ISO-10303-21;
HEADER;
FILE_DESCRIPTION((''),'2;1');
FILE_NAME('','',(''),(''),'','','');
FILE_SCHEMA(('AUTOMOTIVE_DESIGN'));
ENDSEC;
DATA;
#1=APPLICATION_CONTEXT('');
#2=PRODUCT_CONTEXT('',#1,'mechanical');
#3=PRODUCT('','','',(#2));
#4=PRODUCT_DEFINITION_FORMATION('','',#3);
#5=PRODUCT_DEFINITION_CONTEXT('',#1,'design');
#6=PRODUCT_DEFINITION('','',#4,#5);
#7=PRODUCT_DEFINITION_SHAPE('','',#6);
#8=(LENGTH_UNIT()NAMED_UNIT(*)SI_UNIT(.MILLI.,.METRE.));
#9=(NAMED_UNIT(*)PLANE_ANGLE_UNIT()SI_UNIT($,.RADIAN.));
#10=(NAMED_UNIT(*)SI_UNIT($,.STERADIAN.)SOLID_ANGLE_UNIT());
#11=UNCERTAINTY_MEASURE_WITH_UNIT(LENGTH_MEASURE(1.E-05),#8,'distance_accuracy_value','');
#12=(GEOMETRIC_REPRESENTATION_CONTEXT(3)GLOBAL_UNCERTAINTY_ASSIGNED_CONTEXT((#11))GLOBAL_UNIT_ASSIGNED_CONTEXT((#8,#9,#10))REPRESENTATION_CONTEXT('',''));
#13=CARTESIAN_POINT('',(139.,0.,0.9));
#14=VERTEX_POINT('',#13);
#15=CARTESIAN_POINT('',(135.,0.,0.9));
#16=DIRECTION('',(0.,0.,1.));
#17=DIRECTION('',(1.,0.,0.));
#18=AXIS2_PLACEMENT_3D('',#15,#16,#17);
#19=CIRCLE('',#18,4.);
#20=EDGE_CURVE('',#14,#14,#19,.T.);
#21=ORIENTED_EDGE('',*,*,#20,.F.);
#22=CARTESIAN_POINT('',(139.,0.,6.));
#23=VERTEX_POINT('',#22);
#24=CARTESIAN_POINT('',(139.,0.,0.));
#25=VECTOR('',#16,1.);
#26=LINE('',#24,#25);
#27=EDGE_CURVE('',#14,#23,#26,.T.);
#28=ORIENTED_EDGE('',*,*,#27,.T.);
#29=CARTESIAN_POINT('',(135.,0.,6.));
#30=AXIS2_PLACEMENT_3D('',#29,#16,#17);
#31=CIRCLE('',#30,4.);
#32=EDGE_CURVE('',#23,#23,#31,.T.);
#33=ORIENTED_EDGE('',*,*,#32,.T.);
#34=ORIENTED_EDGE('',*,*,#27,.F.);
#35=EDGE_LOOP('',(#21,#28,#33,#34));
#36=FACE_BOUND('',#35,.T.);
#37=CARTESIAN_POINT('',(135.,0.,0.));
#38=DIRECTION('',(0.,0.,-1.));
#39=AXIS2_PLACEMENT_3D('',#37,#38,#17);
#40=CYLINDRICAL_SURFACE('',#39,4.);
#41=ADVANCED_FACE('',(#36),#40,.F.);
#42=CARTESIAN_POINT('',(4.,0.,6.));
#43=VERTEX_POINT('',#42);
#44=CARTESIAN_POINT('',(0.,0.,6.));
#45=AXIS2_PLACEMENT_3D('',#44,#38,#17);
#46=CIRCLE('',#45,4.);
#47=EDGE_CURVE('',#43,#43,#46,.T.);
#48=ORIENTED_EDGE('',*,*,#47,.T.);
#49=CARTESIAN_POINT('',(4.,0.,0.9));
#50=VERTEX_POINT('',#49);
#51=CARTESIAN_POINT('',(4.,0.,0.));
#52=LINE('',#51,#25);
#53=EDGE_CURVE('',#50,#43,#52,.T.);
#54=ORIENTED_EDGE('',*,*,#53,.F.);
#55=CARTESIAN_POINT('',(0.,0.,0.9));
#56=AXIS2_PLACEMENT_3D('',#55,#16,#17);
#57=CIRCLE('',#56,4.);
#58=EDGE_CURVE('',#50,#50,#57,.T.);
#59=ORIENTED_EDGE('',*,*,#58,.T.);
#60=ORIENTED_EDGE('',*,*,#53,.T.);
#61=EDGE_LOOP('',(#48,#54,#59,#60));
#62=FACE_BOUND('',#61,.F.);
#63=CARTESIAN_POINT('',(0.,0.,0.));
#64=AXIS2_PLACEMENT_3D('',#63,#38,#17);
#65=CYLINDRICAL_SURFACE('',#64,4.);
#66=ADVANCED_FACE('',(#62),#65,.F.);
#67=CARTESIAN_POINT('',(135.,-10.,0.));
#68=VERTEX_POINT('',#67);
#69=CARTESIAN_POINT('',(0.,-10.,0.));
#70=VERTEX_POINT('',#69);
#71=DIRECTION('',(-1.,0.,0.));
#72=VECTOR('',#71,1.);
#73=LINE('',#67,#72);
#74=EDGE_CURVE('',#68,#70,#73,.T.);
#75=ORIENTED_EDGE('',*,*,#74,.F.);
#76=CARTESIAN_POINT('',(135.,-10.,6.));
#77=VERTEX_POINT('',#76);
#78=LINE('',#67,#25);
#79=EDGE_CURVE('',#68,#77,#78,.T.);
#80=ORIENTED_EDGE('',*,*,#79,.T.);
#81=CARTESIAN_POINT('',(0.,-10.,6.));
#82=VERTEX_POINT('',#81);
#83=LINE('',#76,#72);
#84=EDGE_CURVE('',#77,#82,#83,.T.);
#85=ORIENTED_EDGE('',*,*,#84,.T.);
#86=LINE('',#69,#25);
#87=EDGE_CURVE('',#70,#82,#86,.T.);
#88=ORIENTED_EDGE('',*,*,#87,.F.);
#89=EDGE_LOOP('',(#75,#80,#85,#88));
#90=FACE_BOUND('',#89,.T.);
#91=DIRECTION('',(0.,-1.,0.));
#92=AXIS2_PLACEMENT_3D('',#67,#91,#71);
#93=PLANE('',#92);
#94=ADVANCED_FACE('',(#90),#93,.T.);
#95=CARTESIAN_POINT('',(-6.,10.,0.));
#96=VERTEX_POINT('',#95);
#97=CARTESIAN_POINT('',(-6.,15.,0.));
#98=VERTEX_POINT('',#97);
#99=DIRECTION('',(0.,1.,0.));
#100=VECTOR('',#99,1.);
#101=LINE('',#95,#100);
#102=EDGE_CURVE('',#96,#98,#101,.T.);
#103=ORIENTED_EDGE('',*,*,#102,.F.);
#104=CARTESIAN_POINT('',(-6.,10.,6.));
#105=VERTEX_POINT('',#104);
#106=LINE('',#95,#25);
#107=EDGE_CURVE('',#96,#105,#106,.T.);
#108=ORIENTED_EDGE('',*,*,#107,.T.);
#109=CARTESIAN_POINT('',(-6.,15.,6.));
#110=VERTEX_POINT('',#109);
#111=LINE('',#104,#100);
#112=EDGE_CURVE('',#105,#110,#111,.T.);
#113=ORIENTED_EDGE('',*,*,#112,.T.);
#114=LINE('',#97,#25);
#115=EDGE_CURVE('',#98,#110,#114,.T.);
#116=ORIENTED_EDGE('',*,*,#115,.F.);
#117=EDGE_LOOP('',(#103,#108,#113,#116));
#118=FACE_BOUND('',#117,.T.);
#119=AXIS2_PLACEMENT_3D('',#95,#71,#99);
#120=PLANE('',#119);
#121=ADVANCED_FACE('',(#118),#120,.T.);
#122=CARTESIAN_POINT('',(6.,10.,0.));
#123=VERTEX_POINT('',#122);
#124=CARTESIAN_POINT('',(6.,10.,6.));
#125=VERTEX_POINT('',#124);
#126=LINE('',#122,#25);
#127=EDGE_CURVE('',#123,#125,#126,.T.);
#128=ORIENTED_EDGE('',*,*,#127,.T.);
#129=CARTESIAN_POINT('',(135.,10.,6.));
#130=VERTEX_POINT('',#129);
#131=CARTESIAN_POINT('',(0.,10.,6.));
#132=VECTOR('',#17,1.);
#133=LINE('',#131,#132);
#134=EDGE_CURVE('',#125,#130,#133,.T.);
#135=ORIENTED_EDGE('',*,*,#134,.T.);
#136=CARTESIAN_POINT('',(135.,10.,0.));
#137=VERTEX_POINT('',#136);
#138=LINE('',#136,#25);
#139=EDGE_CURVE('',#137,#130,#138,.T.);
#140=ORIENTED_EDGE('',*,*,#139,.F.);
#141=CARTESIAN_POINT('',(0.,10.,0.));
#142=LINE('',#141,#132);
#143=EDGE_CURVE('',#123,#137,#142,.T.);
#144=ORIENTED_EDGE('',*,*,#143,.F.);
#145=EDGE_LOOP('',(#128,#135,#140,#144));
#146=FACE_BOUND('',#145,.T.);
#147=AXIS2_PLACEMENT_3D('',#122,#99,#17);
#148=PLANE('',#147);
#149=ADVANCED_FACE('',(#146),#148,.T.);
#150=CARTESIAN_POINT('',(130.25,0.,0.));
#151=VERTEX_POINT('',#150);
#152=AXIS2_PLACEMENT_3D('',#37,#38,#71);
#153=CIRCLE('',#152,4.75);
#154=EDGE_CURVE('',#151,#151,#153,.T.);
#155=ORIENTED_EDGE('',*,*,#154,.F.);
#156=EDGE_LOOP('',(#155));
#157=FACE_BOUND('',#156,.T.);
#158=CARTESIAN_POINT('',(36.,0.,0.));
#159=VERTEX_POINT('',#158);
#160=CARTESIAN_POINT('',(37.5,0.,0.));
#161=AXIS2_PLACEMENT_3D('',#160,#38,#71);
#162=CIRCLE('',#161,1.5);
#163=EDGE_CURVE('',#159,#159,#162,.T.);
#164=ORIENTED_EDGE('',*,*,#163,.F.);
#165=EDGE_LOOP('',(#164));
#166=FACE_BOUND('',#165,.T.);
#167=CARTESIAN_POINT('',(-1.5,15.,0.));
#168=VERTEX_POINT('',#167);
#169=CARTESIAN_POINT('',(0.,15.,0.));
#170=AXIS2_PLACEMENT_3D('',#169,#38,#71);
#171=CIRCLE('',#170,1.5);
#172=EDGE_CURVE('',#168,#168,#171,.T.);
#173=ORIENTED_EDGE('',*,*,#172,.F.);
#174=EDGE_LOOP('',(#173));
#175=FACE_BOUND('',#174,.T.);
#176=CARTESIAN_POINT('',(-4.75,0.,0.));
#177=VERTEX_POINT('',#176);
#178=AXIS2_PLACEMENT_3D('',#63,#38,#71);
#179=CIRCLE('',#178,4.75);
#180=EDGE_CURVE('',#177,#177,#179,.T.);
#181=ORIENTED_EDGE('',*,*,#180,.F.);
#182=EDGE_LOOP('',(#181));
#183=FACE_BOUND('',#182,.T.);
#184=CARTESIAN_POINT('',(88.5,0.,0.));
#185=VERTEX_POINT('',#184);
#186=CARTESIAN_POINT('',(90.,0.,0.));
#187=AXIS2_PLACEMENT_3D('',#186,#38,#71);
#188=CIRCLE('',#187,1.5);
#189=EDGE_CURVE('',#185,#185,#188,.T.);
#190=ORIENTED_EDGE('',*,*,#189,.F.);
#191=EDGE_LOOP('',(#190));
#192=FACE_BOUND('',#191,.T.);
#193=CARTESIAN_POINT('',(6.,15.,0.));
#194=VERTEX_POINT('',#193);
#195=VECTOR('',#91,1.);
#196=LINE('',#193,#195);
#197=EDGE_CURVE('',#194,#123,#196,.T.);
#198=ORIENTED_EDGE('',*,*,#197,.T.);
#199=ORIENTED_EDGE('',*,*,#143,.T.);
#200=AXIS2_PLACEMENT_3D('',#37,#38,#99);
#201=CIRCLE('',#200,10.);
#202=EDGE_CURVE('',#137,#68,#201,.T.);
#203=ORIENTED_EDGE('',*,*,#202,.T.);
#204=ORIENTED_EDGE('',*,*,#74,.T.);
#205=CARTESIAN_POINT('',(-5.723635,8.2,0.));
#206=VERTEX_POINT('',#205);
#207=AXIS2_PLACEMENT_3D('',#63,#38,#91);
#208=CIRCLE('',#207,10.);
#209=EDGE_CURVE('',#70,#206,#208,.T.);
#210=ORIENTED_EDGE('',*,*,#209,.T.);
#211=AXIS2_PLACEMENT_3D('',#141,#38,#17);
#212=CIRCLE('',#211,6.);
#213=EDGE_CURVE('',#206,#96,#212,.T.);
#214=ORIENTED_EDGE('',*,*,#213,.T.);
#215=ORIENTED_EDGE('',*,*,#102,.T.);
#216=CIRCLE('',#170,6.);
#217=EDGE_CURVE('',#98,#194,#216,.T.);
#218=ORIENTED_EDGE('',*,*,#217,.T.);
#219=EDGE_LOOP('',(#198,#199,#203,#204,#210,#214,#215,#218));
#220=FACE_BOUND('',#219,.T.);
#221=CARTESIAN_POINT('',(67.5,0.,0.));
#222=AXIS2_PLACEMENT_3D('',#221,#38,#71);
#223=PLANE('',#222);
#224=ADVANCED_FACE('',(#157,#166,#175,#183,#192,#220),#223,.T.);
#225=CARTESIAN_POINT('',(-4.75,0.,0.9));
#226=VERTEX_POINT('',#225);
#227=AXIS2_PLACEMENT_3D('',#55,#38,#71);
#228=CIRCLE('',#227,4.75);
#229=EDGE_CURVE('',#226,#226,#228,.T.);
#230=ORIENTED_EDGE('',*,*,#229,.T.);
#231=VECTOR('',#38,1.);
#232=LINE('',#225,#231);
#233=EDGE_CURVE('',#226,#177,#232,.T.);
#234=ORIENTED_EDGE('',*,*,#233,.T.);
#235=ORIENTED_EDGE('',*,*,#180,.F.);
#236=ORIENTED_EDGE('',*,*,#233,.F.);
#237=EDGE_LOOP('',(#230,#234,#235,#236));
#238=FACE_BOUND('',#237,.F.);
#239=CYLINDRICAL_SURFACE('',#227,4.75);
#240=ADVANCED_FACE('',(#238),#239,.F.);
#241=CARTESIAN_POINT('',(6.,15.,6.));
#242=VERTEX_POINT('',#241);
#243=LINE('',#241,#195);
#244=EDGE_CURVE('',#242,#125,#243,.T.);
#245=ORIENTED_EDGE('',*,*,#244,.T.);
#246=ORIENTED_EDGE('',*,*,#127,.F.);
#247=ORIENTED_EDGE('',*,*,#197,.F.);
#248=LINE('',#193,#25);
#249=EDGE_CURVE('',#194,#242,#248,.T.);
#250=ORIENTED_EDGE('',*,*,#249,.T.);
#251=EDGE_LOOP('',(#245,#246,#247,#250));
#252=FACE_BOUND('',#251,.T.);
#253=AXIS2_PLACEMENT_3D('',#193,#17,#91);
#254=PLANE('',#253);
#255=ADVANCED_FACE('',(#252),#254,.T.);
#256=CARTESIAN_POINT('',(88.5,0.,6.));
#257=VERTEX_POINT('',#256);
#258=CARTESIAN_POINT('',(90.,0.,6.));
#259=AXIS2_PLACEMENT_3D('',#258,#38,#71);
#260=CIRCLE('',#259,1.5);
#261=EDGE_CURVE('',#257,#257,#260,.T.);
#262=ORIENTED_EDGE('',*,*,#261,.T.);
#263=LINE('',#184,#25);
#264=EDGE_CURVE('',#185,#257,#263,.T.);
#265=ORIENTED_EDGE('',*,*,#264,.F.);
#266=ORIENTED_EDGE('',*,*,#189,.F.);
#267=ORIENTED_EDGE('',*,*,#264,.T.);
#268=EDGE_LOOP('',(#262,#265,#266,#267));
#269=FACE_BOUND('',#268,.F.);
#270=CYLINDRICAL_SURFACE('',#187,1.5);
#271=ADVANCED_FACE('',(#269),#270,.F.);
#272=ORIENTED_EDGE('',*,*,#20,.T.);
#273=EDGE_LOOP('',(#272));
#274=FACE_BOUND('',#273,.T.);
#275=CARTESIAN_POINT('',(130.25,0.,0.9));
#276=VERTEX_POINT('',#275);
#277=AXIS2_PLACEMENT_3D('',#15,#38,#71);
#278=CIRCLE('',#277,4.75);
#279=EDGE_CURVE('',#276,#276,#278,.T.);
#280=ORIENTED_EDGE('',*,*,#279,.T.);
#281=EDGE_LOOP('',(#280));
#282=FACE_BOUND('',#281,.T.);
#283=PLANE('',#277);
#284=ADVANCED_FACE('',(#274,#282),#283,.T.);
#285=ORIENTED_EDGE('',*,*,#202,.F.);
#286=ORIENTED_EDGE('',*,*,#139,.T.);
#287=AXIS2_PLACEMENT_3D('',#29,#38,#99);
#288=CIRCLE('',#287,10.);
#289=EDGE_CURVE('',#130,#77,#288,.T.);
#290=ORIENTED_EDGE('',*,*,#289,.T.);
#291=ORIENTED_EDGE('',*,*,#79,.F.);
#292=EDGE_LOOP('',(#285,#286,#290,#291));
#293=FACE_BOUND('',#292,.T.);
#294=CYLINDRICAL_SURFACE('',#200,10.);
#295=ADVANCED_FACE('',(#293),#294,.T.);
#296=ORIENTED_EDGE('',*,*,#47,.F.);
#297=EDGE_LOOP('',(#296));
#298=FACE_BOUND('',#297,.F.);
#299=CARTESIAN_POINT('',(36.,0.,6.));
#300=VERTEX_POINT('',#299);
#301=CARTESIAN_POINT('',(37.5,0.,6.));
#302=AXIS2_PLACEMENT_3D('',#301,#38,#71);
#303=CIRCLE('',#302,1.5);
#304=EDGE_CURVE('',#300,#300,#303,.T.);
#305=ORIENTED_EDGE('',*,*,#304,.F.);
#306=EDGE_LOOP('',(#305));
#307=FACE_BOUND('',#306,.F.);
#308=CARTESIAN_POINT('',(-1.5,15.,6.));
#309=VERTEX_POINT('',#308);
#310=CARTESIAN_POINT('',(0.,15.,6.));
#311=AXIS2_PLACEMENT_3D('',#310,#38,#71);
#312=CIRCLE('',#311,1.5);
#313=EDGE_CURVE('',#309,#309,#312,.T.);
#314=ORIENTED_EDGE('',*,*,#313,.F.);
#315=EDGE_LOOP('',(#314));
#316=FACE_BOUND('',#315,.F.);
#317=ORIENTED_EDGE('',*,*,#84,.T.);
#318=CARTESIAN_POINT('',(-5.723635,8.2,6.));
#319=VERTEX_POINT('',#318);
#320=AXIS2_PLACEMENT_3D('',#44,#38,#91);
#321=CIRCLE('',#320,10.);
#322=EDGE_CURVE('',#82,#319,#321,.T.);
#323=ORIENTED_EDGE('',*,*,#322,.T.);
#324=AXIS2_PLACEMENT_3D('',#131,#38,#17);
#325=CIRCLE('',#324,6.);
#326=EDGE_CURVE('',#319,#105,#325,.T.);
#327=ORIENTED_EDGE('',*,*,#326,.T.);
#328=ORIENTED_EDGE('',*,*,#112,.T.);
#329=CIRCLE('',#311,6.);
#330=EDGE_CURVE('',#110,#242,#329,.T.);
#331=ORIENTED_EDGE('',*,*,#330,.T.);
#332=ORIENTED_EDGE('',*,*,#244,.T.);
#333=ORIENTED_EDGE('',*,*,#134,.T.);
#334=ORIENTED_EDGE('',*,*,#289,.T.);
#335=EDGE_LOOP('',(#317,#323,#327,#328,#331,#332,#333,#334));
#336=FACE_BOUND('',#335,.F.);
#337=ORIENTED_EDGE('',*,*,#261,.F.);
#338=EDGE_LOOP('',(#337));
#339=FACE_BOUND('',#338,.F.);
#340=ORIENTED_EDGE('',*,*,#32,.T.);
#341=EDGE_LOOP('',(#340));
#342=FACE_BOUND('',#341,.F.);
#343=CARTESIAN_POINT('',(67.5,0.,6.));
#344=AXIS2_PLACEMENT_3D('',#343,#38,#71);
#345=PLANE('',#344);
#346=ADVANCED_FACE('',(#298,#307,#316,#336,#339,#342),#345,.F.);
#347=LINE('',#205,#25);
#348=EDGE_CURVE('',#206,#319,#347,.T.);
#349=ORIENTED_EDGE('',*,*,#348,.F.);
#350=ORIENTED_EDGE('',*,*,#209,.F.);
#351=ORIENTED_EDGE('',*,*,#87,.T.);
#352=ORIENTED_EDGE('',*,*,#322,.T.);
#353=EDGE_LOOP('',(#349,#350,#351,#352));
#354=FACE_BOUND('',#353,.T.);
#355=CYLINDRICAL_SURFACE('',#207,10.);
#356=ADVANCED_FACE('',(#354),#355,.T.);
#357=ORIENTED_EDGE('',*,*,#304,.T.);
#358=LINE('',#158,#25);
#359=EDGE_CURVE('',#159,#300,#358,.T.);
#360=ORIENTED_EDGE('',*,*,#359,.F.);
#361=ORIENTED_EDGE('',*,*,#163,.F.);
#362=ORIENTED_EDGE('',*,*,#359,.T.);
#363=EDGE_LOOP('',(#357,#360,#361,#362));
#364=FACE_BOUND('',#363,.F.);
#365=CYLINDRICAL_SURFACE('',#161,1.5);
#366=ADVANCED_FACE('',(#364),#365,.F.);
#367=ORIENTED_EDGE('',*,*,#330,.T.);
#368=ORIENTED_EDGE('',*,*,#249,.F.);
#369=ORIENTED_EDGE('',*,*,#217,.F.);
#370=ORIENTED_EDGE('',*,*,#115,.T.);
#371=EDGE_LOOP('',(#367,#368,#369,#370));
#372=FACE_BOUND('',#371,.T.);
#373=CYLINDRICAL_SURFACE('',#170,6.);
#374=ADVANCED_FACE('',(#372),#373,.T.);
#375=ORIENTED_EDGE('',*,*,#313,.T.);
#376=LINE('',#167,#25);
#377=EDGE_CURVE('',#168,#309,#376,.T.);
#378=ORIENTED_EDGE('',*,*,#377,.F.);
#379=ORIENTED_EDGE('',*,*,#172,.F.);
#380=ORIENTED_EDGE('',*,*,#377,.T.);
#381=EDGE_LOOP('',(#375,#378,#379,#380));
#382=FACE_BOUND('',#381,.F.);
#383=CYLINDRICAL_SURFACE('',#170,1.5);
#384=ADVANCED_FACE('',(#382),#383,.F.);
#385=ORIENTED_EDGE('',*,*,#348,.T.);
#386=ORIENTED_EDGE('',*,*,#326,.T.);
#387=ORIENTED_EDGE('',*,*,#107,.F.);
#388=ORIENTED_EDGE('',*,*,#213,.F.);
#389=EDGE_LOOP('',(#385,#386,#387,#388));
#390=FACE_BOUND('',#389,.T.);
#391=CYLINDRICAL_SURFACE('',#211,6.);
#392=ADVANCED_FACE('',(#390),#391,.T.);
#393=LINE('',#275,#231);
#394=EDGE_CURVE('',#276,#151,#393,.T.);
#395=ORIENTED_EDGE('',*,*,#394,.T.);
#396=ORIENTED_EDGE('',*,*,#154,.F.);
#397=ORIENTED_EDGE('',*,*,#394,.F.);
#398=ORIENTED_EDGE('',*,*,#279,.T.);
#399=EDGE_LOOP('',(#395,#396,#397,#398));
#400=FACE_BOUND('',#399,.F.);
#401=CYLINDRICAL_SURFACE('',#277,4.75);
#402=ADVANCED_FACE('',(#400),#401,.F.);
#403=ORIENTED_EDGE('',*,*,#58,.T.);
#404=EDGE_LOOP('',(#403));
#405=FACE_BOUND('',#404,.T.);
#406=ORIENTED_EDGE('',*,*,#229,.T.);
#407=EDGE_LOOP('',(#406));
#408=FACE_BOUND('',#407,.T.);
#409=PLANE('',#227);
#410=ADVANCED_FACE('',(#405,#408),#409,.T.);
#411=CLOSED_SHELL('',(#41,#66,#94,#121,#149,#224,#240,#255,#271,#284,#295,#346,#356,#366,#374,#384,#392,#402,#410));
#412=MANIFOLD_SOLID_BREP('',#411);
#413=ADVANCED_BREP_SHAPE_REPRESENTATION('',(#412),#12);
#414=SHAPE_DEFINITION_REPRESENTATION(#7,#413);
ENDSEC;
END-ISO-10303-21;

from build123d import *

# Parameters (mm, degrees)
SKETCH_1_R                   = 4
EXTRUDE_1_DEPTH              = 6
HOLE_WIZARD_M5_1_D           = 8
HOLE_WIZARD_M5_1_CBORE_D     = 9.5
HOLE_WIZARD_M5_1_CBORE_DEPTH = 0.9
SKETCH_7_R                   = 1.5
CUT_EXTRUDE_1_DEPTH          = 1
CUT_EXTRUDE_1_DEPTH_BACK     = 7


with BuildPart() as part:
    # 草图1 → 凸台-拉伸1 (new body)
    with BuildSketch(Plane.XY):
        with BuildLine():
            Line((0, 10), (135, 10))
            ThreePointArc((135, 10), (145, 0), (135, -10))
            Line((135, -10), (0, -10))
            ThreePointArc((0, -10), (-10, 0), (0, 10))
        make_face()
        with Locations((135, 0)):
            Circle(SKETCH_1_R, mode=Mode.SUBTRACT)
        Circle(SKETCH_1_R, mode=Mode.SUBTRACT)
        with BuildLine():
            Line((-6, 10), (-6, 15))
            ThreePointArc((-6, 15), (0, 21), (6, 15))
            Line((6, 15), (6, 10))
            ThreePointArc((6, 10), (0, 4), (-6, 10))
        make_face()
    extrude(amount=EXTRUDE_1_DEPTH)

    # M5 六角头螺栓的柱形沉头孔1 (through all)
    with Locations(Plane(origin=(0, 0, 0), x_dir=(-1, 0, 0), z_dir=(0, 0, -1))):
        with Locations((-135, 0), (0, 0)):
            CounterBoreHole(HOLE_WIZARD_M5_1_D / 2, HOLE_WIZARD_M5_1_CBORE_D / 2, HOLE_WIZARD_M5_1_CBORE_DEPTH)

    # 草图7 → 切除-拉伸1 (cut, two sides)
    with BuildSketch(Plane(origin=(0, 0, 0), x_dir=(-1, 0, 0), z_dir=(0, 0, -1))) as cut_extrude_1_sk:
        with Locations((-37.5, 0)):
            Circle(SKETCH_7_R)
        with Locations((-90, 0)):
            Circle(SKETCH_7_R)
        with Locations((0, 15)):
            Circle(SKETCH_7_R)
    extrude(amount=CUT_EXTRUDE_1_DEPTH, mode=Mode.SUBTRACT)
    extrude(cut_extrude_1_sk.sketch, amount=-CUT_EXTRUDE_1_DEPTH_BACK, mode=Mode.SUBTRACT)


solid = part.part
